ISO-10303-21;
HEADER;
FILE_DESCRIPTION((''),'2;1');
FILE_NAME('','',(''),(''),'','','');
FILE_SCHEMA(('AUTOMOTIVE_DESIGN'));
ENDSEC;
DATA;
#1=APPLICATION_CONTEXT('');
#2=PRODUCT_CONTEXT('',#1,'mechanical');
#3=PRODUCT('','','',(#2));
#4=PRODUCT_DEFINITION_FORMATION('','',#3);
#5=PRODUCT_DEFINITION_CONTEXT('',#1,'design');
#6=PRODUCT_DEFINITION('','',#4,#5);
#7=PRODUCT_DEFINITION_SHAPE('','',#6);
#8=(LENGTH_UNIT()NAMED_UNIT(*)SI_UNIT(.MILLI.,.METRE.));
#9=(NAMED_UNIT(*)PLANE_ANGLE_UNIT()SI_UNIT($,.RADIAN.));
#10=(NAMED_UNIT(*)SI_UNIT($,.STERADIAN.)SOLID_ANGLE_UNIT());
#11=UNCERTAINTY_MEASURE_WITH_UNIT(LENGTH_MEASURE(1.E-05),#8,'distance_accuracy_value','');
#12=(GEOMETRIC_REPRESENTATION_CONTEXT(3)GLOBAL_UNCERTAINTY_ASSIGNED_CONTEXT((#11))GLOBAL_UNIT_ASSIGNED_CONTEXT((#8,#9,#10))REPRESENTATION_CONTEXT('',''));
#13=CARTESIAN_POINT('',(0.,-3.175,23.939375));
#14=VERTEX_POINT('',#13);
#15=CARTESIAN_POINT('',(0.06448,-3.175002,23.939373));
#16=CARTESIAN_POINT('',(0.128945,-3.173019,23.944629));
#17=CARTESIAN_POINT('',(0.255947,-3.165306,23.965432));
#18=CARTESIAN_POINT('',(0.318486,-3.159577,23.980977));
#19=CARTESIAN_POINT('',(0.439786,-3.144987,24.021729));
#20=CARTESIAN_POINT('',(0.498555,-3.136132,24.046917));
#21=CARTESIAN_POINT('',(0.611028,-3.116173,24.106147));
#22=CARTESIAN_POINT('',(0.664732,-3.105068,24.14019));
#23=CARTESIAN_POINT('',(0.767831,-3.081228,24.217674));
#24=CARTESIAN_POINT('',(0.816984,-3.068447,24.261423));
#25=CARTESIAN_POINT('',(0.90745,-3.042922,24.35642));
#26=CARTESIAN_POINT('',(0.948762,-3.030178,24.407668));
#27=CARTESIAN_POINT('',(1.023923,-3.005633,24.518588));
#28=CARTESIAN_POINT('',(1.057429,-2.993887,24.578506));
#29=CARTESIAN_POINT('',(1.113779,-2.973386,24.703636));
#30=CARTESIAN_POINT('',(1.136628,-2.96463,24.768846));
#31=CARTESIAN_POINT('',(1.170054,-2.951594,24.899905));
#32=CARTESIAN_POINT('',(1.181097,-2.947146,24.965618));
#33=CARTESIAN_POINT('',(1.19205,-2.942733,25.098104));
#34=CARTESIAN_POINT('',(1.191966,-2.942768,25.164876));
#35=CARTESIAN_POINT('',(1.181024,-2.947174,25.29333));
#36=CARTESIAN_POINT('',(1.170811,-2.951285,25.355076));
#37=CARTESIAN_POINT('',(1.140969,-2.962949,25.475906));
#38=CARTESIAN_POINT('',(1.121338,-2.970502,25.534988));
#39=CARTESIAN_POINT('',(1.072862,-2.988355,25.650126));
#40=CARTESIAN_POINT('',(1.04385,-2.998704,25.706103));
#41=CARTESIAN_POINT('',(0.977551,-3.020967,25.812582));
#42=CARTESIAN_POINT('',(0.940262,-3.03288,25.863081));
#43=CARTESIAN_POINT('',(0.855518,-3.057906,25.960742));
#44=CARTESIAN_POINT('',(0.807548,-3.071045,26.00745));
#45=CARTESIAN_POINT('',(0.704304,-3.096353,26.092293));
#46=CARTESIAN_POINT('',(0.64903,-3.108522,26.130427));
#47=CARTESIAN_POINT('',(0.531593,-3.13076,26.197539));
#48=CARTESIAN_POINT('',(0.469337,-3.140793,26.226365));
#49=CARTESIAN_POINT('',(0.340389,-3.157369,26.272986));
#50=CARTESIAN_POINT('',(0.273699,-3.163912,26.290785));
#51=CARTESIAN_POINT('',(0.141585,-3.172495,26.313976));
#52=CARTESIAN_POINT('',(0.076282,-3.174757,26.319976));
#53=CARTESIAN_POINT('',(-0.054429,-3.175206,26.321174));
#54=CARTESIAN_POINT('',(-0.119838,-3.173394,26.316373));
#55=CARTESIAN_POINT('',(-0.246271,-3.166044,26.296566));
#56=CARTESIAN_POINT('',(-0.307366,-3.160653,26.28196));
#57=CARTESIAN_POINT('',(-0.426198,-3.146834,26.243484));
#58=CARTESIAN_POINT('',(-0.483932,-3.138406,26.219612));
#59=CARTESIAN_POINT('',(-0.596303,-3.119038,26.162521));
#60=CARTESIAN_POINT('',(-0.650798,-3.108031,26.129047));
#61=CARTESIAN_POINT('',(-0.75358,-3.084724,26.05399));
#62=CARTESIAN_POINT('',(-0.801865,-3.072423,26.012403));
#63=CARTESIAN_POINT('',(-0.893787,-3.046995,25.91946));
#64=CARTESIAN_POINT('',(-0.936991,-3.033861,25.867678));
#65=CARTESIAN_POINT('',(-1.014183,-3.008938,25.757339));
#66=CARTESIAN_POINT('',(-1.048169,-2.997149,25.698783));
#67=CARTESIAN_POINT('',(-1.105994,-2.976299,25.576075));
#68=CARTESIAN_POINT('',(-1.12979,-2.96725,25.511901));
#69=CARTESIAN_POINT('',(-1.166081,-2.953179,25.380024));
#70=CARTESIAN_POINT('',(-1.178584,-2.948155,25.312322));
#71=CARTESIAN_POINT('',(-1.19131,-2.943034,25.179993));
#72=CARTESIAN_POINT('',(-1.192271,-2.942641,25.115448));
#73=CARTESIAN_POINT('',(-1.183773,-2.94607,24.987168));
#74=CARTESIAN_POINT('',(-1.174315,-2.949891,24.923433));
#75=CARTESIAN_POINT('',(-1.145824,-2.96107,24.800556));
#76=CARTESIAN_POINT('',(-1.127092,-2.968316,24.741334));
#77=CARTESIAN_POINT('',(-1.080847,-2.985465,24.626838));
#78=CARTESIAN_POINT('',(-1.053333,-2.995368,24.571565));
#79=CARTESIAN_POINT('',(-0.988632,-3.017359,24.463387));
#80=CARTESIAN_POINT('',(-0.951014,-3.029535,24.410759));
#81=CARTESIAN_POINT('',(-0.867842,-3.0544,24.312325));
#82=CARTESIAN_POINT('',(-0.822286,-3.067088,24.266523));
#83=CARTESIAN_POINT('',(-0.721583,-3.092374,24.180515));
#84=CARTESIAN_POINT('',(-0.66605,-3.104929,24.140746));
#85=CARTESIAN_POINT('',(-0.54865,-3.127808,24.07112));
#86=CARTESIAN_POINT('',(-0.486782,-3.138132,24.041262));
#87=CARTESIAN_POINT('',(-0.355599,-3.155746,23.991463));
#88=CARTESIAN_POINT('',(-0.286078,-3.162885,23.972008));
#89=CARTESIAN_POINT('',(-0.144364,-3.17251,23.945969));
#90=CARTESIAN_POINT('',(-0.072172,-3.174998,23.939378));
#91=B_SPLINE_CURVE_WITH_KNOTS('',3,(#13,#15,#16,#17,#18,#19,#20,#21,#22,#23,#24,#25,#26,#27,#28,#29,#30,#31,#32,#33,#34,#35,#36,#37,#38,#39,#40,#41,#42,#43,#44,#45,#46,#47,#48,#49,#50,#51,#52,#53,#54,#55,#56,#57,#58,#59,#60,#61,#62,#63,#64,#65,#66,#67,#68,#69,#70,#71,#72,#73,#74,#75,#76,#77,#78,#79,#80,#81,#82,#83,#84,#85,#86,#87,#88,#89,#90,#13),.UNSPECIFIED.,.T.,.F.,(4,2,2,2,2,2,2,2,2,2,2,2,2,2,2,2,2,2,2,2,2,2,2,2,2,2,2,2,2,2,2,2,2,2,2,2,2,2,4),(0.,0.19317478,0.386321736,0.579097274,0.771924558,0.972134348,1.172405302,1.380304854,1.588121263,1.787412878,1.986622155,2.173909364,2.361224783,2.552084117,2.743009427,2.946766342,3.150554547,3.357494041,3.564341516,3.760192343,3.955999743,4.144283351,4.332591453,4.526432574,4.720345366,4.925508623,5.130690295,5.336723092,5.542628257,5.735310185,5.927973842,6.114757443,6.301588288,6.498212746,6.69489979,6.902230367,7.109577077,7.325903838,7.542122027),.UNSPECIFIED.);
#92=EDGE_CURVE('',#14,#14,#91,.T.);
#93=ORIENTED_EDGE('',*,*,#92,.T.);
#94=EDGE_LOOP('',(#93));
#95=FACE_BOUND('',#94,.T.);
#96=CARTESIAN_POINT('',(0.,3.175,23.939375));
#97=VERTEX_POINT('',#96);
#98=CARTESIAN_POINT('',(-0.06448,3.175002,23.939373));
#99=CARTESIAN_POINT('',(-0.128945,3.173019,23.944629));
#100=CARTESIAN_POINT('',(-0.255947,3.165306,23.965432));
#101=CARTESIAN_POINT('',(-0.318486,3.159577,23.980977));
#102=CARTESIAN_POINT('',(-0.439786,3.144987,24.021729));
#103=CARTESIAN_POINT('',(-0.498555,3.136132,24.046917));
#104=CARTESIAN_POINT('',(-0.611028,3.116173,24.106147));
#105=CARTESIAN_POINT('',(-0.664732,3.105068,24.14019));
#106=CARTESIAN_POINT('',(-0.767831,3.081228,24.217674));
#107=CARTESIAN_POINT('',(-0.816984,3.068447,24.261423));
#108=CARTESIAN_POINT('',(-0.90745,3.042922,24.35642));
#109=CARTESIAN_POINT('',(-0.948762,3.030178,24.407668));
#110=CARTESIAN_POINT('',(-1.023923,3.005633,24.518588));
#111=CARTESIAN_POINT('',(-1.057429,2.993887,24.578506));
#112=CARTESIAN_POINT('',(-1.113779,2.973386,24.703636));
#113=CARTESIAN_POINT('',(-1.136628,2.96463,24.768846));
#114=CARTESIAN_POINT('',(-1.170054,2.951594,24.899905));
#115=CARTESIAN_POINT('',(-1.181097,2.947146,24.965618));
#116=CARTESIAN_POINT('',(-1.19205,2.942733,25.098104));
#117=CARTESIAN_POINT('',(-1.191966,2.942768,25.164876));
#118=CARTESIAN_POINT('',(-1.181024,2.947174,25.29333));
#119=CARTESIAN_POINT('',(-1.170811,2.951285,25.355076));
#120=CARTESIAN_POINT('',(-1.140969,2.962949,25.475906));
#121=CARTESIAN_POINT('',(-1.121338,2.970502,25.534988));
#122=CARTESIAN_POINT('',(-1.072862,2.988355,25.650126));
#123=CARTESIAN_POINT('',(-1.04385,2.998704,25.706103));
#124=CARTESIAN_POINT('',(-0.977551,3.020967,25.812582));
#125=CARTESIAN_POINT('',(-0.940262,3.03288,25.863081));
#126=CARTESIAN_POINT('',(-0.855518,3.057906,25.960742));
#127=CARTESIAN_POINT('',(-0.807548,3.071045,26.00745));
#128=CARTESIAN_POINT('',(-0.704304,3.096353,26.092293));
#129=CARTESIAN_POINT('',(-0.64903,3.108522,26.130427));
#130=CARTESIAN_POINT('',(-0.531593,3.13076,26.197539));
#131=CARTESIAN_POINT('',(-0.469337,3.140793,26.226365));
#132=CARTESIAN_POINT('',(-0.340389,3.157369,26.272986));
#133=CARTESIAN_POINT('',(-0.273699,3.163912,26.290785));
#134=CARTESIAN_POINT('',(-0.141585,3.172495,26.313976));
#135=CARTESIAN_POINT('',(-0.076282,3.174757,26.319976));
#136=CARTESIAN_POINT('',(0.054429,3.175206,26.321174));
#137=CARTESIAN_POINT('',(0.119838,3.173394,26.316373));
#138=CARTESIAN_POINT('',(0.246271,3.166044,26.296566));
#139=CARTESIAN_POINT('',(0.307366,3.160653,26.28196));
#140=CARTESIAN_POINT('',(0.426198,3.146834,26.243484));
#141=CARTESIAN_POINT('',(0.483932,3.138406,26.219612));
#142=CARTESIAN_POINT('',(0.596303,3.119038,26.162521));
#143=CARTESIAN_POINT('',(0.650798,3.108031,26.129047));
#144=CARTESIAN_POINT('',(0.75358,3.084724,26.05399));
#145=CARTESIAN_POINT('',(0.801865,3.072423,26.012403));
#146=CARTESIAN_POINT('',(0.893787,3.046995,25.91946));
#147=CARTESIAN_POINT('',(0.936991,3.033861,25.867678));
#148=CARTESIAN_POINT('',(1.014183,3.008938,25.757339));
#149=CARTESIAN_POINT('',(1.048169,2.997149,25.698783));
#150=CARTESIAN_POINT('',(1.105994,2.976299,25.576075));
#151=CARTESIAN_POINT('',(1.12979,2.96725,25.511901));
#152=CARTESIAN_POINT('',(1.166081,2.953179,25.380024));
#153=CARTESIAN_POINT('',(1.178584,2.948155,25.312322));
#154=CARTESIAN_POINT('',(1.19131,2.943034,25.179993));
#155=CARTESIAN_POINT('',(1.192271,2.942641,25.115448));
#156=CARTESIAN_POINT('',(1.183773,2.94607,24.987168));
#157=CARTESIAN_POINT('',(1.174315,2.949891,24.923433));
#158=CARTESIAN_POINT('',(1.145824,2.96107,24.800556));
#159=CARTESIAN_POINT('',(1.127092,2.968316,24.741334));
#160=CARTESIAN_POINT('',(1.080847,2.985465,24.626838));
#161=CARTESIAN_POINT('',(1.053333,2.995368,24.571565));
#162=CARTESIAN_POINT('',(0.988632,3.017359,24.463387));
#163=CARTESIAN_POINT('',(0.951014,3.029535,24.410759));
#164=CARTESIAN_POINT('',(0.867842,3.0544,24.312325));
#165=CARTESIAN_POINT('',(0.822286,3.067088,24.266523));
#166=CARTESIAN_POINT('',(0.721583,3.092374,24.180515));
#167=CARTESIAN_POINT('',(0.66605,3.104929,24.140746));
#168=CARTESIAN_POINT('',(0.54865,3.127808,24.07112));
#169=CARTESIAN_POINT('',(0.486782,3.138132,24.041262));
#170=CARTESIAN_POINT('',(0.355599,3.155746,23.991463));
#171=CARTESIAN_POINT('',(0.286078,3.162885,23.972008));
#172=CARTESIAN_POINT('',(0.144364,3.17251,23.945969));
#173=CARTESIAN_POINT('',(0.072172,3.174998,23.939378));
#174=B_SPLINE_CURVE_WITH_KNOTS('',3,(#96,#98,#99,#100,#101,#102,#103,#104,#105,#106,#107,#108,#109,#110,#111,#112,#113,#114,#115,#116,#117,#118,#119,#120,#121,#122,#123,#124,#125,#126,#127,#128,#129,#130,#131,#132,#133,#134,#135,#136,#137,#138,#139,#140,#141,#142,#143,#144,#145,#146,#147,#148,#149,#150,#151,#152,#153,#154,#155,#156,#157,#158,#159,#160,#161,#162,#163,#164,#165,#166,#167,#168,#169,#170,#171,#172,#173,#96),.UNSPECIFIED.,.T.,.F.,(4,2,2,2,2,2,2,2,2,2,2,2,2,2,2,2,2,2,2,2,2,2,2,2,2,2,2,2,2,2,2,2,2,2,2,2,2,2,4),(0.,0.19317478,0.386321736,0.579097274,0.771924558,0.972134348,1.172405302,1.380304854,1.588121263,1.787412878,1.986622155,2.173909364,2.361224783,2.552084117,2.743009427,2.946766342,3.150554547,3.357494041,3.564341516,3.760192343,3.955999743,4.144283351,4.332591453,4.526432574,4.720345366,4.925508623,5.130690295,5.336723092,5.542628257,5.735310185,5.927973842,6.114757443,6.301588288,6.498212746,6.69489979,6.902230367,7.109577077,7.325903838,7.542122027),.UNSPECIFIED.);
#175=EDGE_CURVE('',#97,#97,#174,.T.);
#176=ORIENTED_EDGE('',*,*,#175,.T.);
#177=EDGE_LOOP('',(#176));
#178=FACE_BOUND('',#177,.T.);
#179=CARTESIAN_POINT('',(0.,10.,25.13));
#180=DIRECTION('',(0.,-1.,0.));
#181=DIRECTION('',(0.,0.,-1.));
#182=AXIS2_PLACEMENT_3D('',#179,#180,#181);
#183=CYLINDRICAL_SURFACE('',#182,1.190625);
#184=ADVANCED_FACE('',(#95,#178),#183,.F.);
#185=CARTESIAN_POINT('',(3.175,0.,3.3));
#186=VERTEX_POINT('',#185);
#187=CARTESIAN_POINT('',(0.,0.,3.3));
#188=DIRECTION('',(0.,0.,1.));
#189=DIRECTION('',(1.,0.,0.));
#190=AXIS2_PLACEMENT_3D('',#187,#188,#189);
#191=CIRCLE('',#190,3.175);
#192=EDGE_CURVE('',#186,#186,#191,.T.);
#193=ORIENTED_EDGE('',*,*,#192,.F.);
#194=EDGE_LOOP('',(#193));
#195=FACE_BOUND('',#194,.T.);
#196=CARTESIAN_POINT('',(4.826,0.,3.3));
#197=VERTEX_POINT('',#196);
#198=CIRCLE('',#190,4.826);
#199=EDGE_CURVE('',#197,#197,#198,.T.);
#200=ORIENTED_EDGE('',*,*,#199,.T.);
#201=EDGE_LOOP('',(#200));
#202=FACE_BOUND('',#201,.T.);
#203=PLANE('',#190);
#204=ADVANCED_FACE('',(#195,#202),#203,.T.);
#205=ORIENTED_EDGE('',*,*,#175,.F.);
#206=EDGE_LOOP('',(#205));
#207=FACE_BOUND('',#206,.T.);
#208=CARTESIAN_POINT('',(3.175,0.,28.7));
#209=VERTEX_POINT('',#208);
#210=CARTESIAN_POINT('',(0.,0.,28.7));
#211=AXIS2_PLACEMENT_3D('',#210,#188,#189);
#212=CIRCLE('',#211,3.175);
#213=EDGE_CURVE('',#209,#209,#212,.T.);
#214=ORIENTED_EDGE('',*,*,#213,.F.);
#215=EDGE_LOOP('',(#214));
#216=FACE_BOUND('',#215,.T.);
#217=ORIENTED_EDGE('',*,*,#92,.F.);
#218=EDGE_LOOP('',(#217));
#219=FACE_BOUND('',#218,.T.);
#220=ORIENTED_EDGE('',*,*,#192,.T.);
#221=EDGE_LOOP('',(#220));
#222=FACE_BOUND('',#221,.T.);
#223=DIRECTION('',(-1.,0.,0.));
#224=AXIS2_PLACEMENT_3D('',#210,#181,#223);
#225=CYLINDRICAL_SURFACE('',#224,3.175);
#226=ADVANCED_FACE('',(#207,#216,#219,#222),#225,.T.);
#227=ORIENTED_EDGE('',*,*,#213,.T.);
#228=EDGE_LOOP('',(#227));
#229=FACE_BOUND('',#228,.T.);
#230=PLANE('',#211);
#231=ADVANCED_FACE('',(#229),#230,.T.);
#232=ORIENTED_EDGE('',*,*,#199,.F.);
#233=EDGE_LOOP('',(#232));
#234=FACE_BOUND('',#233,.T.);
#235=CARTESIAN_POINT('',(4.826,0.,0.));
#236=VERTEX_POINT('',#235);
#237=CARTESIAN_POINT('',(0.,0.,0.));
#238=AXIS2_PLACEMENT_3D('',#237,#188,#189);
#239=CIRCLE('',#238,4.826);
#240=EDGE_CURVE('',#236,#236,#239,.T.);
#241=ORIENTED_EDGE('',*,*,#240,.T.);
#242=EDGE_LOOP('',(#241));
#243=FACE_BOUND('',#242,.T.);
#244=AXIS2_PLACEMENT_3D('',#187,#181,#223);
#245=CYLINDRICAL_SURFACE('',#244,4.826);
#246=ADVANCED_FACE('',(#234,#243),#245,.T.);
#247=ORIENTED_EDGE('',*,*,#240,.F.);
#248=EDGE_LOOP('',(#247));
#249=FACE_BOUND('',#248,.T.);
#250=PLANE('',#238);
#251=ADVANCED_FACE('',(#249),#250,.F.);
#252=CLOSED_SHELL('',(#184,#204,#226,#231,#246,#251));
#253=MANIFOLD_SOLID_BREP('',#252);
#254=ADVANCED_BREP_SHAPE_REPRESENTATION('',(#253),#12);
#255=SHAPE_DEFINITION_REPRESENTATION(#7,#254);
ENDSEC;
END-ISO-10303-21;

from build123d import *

# Parameters (mm, degrees)
SKETCH1_R               = 4.826
BOSS_EXTRUDE1_DEPTH     = 3.3
SKETCH2_R               = 3.175
BOSS_EXTRUDE2_DEPTH     = 25.4
CUT_EXTRUDE1_DEPTH      = 10
CUT_EXTRUDE1_DEPTH_BACK = 10
SKETCH3_R               = 1.190625


with BuildPart() as part:
    # Sketch1 → Boss-Extrude1 (new body)
    with BuildSketch(Plane.XY):
        Circle(SKETCH1_R)
    extrude(amount=BOSS_EXTRUDE1_DEPTH)

    # Sketch2 → Boss-Extrude2 (add)
    with BuildSketch(Plane.XY.offset(3.3)):
        Circle(SKETCH2_R)
    extrude(amount=BOSS_EXTRUDE2_DEPTH)

    # Sketch3 → Cut-Extrude1 (cut, two sides: drawn at the far end of the back side and taken through both)
    with BuildSketch(Plane(origin=(0, 0, 0), x_dir=(1, 0, 0), z_dir=(0, 1, 0)).offset(-CUT_EXTRUDE1_DEPTH_BACK)):
        with Locations((0, -25.13)):
            Circle(SKETCH3_R)
    extrude(amount=CUT_EXTRUDE1_DEPTH + CUT_EXTRUDE1_DEPTH_BACK, mode=Mode.SUBTRACT)


solid = part.part
